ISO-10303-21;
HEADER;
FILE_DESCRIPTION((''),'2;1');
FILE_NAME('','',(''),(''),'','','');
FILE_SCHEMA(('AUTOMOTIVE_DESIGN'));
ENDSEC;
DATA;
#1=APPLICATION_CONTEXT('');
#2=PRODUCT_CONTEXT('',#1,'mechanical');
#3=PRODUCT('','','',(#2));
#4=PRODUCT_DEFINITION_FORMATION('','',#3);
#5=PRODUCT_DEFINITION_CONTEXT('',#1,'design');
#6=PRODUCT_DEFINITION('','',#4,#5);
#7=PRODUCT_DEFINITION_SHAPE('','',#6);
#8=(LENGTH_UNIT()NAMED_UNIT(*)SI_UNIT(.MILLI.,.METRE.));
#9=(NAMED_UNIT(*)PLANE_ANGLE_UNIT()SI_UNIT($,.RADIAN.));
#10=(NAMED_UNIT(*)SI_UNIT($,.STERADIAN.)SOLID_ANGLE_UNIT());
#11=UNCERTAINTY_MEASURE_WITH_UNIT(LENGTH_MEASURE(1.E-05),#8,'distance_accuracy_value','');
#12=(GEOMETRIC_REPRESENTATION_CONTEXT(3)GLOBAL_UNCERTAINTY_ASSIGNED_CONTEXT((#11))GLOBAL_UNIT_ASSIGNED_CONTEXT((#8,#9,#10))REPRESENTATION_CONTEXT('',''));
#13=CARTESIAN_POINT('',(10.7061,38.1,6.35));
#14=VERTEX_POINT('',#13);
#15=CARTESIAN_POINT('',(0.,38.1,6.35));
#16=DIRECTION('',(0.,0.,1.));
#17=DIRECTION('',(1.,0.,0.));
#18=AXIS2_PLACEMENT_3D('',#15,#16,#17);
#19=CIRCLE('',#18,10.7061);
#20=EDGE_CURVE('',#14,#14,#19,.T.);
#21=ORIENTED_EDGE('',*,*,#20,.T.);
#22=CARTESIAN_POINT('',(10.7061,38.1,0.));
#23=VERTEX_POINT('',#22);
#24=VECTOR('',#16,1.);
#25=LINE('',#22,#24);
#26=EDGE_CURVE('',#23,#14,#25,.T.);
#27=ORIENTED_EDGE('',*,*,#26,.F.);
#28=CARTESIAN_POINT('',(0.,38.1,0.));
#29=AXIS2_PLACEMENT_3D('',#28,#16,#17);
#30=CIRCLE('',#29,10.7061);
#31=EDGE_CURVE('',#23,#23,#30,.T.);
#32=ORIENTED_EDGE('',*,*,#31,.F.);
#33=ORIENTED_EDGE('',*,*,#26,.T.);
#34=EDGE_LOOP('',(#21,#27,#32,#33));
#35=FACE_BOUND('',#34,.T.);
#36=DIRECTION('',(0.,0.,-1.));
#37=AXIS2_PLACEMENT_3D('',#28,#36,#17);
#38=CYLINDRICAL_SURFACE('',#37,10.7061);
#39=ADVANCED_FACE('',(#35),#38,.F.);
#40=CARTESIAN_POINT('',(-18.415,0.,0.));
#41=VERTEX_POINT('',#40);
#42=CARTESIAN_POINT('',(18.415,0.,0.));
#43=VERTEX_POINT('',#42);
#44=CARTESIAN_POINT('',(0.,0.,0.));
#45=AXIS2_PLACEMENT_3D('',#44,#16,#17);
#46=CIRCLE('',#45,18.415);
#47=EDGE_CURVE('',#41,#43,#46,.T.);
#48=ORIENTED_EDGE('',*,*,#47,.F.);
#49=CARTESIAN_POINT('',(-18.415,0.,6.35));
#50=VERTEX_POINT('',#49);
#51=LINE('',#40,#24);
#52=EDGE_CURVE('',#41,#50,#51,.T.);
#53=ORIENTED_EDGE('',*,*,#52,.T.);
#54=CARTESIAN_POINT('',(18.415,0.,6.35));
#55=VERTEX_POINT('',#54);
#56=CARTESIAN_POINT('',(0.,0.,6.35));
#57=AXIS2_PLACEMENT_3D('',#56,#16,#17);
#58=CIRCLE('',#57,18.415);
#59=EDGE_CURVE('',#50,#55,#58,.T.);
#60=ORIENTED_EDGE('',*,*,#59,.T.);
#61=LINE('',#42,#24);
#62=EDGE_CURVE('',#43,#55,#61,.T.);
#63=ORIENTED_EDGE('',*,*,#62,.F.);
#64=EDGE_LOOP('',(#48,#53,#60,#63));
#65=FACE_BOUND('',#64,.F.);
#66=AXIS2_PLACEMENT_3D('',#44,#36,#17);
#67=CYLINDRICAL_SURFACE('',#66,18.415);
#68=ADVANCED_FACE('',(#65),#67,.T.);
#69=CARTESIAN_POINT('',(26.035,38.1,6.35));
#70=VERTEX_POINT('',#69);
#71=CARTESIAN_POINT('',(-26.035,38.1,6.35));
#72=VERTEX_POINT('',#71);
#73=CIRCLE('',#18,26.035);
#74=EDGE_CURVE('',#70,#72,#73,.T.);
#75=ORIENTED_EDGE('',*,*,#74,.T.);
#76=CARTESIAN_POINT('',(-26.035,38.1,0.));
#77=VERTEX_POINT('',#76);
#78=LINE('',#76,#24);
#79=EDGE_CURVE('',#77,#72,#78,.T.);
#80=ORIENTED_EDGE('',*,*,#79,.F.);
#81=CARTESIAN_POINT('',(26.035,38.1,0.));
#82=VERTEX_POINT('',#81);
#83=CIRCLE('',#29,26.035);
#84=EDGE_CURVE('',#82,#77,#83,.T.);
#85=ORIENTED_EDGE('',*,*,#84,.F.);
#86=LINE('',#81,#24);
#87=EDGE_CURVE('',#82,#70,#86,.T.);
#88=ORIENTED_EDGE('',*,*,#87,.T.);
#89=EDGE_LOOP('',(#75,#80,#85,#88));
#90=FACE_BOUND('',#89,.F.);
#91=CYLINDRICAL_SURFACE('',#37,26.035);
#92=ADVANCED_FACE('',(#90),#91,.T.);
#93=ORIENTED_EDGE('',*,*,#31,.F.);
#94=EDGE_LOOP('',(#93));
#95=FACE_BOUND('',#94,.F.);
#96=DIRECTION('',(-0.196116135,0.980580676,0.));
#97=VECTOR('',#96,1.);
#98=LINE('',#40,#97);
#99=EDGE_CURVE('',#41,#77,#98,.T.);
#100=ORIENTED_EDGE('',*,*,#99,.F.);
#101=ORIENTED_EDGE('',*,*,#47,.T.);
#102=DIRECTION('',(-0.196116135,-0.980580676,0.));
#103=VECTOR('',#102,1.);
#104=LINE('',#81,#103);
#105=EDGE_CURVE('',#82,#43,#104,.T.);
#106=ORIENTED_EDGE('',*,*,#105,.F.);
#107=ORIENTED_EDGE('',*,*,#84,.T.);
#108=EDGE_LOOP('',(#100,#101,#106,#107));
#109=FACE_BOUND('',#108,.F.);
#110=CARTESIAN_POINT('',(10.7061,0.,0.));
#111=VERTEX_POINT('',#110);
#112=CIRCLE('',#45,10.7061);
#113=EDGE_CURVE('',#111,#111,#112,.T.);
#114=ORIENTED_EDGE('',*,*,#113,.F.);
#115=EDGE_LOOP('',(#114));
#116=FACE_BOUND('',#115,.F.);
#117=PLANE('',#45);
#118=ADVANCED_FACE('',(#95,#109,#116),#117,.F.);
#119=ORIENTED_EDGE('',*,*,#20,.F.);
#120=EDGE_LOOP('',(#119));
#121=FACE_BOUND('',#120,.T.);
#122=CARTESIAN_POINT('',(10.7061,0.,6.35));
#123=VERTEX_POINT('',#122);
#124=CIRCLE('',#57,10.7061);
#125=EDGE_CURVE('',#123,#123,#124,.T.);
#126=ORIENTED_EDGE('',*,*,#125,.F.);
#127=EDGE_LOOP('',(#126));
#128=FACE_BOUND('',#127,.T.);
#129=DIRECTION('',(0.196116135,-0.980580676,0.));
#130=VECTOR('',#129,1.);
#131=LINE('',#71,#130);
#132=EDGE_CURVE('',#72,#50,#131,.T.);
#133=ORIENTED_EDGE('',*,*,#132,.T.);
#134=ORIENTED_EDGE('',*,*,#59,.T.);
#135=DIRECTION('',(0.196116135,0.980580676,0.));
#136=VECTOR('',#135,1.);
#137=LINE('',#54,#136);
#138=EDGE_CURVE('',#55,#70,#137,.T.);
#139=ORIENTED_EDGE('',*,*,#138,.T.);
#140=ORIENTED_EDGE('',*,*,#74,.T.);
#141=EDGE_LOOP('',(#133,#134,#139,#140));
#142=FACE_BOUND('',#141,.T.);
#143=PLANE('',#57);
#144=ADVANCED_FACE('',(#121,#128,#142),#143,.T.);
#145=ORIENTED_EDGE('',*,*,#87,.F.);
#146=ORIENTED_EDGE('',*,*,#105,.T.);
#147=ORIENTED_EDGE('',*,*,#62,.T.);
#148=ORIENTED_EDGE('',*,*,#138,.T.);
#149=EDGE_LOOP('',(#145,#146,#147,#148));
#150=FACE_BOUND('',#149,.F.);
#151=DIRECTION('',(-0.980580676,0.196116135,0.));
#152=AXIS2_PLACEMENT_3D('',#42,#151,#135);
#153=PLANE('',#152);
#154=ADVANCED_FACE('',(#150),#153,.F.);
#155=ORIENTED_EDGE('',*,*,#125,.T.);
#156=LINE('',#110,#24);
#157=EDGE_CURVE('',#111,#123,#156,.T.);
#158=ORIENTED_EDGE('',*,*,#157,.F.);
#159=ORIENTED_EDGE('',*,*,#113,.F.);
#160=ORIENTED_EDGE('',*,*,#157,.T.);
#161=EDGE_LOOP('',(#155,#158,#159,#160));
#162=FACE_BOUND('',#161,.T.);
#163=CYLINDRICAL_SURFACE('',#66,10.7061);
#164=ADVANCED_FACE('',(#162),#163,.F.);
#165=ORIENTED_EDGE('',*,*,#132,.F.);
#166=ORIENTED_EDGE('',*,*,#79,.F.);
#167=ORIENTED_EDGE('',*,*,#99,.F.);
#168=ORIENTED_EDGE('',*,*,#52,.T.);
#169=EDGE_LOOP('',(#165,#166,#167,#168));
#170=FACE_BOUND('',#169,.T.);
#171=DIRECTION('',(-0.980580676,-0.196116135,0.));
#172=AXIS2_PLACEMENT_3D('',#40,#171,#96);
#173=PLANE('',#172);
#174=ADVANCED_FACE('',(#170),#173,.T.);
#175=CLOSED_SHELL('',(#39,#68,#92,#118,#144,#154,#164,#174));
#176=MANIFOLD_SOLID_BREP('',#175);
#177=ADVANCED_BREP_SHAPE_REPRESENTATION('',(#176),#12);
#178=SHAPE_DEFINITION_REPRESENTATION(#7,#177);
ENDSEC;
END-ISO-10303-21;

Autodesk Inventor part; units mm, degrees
ref_plane "YZ Plane" through (0, 0, 0) normal (1, 0, 0) x (0, 1, 0)
ref_plane "XZ Plane" through (0, 0, 0) normal (0, 1, 0) x (-1, 0, 0)
ref_plane "XY Plane" through (0, 0, 0) normal (0, 0, 1) x (1, 0, 0)
sketch "Sketch1" plane through (0, 0, 0) normal (0, 0, 1) x (1, 0, 0)
  circle A0 centre (0, 0) radius 15.24
  circle A1 centre (0, 0) radius 10.7061
  circle A2 centre (0, 38.1) radius 22.86
  line L0 (0, 15.24) -> (0, 16.764)
  circle A3 centre (0, 38.1) radius 26.035
  circle A4 centre (0, 0) radius 18.415
  circle A5 centre (0, 38.1) radius 10.7061
  line L1 (0, 15.24) -> (0, 15.24)
  line L2 (-18.415, 0) -> (-26.035, 38.1)
  line L3 (18.415, 0) -> (26.035, 38.1)
  arc A6 (26.035, 38.1) -> (-26.035, 38.1) centre (0, 38.1) ccw
  arc A7 (-18.415, 0) -> (18.415, 0) centre (0, 0) ccw
  dimension "d0" = 30.48
  dimension "d3" = 45.72
  dimension "d1" = 21.4122
  dimension "d4" = 52.07
  dimension "d5" = 36.83
  dimension "d6" = 21.4122
extrude "Extrusion1" add sketch "Sketch1" along normal blind 6.35 contours A0 A3 | A0 A3 A4 | A3 A0 | A0 A2 A4 A3 | A3 A4 A2 A0 | A2 A4 | A4 A2 A3 L2 L3 | A3 L3 A4 | A4 L2 A3 | A2 A4
properties part number "Bottom Plate" material "Aluminum 6061"
